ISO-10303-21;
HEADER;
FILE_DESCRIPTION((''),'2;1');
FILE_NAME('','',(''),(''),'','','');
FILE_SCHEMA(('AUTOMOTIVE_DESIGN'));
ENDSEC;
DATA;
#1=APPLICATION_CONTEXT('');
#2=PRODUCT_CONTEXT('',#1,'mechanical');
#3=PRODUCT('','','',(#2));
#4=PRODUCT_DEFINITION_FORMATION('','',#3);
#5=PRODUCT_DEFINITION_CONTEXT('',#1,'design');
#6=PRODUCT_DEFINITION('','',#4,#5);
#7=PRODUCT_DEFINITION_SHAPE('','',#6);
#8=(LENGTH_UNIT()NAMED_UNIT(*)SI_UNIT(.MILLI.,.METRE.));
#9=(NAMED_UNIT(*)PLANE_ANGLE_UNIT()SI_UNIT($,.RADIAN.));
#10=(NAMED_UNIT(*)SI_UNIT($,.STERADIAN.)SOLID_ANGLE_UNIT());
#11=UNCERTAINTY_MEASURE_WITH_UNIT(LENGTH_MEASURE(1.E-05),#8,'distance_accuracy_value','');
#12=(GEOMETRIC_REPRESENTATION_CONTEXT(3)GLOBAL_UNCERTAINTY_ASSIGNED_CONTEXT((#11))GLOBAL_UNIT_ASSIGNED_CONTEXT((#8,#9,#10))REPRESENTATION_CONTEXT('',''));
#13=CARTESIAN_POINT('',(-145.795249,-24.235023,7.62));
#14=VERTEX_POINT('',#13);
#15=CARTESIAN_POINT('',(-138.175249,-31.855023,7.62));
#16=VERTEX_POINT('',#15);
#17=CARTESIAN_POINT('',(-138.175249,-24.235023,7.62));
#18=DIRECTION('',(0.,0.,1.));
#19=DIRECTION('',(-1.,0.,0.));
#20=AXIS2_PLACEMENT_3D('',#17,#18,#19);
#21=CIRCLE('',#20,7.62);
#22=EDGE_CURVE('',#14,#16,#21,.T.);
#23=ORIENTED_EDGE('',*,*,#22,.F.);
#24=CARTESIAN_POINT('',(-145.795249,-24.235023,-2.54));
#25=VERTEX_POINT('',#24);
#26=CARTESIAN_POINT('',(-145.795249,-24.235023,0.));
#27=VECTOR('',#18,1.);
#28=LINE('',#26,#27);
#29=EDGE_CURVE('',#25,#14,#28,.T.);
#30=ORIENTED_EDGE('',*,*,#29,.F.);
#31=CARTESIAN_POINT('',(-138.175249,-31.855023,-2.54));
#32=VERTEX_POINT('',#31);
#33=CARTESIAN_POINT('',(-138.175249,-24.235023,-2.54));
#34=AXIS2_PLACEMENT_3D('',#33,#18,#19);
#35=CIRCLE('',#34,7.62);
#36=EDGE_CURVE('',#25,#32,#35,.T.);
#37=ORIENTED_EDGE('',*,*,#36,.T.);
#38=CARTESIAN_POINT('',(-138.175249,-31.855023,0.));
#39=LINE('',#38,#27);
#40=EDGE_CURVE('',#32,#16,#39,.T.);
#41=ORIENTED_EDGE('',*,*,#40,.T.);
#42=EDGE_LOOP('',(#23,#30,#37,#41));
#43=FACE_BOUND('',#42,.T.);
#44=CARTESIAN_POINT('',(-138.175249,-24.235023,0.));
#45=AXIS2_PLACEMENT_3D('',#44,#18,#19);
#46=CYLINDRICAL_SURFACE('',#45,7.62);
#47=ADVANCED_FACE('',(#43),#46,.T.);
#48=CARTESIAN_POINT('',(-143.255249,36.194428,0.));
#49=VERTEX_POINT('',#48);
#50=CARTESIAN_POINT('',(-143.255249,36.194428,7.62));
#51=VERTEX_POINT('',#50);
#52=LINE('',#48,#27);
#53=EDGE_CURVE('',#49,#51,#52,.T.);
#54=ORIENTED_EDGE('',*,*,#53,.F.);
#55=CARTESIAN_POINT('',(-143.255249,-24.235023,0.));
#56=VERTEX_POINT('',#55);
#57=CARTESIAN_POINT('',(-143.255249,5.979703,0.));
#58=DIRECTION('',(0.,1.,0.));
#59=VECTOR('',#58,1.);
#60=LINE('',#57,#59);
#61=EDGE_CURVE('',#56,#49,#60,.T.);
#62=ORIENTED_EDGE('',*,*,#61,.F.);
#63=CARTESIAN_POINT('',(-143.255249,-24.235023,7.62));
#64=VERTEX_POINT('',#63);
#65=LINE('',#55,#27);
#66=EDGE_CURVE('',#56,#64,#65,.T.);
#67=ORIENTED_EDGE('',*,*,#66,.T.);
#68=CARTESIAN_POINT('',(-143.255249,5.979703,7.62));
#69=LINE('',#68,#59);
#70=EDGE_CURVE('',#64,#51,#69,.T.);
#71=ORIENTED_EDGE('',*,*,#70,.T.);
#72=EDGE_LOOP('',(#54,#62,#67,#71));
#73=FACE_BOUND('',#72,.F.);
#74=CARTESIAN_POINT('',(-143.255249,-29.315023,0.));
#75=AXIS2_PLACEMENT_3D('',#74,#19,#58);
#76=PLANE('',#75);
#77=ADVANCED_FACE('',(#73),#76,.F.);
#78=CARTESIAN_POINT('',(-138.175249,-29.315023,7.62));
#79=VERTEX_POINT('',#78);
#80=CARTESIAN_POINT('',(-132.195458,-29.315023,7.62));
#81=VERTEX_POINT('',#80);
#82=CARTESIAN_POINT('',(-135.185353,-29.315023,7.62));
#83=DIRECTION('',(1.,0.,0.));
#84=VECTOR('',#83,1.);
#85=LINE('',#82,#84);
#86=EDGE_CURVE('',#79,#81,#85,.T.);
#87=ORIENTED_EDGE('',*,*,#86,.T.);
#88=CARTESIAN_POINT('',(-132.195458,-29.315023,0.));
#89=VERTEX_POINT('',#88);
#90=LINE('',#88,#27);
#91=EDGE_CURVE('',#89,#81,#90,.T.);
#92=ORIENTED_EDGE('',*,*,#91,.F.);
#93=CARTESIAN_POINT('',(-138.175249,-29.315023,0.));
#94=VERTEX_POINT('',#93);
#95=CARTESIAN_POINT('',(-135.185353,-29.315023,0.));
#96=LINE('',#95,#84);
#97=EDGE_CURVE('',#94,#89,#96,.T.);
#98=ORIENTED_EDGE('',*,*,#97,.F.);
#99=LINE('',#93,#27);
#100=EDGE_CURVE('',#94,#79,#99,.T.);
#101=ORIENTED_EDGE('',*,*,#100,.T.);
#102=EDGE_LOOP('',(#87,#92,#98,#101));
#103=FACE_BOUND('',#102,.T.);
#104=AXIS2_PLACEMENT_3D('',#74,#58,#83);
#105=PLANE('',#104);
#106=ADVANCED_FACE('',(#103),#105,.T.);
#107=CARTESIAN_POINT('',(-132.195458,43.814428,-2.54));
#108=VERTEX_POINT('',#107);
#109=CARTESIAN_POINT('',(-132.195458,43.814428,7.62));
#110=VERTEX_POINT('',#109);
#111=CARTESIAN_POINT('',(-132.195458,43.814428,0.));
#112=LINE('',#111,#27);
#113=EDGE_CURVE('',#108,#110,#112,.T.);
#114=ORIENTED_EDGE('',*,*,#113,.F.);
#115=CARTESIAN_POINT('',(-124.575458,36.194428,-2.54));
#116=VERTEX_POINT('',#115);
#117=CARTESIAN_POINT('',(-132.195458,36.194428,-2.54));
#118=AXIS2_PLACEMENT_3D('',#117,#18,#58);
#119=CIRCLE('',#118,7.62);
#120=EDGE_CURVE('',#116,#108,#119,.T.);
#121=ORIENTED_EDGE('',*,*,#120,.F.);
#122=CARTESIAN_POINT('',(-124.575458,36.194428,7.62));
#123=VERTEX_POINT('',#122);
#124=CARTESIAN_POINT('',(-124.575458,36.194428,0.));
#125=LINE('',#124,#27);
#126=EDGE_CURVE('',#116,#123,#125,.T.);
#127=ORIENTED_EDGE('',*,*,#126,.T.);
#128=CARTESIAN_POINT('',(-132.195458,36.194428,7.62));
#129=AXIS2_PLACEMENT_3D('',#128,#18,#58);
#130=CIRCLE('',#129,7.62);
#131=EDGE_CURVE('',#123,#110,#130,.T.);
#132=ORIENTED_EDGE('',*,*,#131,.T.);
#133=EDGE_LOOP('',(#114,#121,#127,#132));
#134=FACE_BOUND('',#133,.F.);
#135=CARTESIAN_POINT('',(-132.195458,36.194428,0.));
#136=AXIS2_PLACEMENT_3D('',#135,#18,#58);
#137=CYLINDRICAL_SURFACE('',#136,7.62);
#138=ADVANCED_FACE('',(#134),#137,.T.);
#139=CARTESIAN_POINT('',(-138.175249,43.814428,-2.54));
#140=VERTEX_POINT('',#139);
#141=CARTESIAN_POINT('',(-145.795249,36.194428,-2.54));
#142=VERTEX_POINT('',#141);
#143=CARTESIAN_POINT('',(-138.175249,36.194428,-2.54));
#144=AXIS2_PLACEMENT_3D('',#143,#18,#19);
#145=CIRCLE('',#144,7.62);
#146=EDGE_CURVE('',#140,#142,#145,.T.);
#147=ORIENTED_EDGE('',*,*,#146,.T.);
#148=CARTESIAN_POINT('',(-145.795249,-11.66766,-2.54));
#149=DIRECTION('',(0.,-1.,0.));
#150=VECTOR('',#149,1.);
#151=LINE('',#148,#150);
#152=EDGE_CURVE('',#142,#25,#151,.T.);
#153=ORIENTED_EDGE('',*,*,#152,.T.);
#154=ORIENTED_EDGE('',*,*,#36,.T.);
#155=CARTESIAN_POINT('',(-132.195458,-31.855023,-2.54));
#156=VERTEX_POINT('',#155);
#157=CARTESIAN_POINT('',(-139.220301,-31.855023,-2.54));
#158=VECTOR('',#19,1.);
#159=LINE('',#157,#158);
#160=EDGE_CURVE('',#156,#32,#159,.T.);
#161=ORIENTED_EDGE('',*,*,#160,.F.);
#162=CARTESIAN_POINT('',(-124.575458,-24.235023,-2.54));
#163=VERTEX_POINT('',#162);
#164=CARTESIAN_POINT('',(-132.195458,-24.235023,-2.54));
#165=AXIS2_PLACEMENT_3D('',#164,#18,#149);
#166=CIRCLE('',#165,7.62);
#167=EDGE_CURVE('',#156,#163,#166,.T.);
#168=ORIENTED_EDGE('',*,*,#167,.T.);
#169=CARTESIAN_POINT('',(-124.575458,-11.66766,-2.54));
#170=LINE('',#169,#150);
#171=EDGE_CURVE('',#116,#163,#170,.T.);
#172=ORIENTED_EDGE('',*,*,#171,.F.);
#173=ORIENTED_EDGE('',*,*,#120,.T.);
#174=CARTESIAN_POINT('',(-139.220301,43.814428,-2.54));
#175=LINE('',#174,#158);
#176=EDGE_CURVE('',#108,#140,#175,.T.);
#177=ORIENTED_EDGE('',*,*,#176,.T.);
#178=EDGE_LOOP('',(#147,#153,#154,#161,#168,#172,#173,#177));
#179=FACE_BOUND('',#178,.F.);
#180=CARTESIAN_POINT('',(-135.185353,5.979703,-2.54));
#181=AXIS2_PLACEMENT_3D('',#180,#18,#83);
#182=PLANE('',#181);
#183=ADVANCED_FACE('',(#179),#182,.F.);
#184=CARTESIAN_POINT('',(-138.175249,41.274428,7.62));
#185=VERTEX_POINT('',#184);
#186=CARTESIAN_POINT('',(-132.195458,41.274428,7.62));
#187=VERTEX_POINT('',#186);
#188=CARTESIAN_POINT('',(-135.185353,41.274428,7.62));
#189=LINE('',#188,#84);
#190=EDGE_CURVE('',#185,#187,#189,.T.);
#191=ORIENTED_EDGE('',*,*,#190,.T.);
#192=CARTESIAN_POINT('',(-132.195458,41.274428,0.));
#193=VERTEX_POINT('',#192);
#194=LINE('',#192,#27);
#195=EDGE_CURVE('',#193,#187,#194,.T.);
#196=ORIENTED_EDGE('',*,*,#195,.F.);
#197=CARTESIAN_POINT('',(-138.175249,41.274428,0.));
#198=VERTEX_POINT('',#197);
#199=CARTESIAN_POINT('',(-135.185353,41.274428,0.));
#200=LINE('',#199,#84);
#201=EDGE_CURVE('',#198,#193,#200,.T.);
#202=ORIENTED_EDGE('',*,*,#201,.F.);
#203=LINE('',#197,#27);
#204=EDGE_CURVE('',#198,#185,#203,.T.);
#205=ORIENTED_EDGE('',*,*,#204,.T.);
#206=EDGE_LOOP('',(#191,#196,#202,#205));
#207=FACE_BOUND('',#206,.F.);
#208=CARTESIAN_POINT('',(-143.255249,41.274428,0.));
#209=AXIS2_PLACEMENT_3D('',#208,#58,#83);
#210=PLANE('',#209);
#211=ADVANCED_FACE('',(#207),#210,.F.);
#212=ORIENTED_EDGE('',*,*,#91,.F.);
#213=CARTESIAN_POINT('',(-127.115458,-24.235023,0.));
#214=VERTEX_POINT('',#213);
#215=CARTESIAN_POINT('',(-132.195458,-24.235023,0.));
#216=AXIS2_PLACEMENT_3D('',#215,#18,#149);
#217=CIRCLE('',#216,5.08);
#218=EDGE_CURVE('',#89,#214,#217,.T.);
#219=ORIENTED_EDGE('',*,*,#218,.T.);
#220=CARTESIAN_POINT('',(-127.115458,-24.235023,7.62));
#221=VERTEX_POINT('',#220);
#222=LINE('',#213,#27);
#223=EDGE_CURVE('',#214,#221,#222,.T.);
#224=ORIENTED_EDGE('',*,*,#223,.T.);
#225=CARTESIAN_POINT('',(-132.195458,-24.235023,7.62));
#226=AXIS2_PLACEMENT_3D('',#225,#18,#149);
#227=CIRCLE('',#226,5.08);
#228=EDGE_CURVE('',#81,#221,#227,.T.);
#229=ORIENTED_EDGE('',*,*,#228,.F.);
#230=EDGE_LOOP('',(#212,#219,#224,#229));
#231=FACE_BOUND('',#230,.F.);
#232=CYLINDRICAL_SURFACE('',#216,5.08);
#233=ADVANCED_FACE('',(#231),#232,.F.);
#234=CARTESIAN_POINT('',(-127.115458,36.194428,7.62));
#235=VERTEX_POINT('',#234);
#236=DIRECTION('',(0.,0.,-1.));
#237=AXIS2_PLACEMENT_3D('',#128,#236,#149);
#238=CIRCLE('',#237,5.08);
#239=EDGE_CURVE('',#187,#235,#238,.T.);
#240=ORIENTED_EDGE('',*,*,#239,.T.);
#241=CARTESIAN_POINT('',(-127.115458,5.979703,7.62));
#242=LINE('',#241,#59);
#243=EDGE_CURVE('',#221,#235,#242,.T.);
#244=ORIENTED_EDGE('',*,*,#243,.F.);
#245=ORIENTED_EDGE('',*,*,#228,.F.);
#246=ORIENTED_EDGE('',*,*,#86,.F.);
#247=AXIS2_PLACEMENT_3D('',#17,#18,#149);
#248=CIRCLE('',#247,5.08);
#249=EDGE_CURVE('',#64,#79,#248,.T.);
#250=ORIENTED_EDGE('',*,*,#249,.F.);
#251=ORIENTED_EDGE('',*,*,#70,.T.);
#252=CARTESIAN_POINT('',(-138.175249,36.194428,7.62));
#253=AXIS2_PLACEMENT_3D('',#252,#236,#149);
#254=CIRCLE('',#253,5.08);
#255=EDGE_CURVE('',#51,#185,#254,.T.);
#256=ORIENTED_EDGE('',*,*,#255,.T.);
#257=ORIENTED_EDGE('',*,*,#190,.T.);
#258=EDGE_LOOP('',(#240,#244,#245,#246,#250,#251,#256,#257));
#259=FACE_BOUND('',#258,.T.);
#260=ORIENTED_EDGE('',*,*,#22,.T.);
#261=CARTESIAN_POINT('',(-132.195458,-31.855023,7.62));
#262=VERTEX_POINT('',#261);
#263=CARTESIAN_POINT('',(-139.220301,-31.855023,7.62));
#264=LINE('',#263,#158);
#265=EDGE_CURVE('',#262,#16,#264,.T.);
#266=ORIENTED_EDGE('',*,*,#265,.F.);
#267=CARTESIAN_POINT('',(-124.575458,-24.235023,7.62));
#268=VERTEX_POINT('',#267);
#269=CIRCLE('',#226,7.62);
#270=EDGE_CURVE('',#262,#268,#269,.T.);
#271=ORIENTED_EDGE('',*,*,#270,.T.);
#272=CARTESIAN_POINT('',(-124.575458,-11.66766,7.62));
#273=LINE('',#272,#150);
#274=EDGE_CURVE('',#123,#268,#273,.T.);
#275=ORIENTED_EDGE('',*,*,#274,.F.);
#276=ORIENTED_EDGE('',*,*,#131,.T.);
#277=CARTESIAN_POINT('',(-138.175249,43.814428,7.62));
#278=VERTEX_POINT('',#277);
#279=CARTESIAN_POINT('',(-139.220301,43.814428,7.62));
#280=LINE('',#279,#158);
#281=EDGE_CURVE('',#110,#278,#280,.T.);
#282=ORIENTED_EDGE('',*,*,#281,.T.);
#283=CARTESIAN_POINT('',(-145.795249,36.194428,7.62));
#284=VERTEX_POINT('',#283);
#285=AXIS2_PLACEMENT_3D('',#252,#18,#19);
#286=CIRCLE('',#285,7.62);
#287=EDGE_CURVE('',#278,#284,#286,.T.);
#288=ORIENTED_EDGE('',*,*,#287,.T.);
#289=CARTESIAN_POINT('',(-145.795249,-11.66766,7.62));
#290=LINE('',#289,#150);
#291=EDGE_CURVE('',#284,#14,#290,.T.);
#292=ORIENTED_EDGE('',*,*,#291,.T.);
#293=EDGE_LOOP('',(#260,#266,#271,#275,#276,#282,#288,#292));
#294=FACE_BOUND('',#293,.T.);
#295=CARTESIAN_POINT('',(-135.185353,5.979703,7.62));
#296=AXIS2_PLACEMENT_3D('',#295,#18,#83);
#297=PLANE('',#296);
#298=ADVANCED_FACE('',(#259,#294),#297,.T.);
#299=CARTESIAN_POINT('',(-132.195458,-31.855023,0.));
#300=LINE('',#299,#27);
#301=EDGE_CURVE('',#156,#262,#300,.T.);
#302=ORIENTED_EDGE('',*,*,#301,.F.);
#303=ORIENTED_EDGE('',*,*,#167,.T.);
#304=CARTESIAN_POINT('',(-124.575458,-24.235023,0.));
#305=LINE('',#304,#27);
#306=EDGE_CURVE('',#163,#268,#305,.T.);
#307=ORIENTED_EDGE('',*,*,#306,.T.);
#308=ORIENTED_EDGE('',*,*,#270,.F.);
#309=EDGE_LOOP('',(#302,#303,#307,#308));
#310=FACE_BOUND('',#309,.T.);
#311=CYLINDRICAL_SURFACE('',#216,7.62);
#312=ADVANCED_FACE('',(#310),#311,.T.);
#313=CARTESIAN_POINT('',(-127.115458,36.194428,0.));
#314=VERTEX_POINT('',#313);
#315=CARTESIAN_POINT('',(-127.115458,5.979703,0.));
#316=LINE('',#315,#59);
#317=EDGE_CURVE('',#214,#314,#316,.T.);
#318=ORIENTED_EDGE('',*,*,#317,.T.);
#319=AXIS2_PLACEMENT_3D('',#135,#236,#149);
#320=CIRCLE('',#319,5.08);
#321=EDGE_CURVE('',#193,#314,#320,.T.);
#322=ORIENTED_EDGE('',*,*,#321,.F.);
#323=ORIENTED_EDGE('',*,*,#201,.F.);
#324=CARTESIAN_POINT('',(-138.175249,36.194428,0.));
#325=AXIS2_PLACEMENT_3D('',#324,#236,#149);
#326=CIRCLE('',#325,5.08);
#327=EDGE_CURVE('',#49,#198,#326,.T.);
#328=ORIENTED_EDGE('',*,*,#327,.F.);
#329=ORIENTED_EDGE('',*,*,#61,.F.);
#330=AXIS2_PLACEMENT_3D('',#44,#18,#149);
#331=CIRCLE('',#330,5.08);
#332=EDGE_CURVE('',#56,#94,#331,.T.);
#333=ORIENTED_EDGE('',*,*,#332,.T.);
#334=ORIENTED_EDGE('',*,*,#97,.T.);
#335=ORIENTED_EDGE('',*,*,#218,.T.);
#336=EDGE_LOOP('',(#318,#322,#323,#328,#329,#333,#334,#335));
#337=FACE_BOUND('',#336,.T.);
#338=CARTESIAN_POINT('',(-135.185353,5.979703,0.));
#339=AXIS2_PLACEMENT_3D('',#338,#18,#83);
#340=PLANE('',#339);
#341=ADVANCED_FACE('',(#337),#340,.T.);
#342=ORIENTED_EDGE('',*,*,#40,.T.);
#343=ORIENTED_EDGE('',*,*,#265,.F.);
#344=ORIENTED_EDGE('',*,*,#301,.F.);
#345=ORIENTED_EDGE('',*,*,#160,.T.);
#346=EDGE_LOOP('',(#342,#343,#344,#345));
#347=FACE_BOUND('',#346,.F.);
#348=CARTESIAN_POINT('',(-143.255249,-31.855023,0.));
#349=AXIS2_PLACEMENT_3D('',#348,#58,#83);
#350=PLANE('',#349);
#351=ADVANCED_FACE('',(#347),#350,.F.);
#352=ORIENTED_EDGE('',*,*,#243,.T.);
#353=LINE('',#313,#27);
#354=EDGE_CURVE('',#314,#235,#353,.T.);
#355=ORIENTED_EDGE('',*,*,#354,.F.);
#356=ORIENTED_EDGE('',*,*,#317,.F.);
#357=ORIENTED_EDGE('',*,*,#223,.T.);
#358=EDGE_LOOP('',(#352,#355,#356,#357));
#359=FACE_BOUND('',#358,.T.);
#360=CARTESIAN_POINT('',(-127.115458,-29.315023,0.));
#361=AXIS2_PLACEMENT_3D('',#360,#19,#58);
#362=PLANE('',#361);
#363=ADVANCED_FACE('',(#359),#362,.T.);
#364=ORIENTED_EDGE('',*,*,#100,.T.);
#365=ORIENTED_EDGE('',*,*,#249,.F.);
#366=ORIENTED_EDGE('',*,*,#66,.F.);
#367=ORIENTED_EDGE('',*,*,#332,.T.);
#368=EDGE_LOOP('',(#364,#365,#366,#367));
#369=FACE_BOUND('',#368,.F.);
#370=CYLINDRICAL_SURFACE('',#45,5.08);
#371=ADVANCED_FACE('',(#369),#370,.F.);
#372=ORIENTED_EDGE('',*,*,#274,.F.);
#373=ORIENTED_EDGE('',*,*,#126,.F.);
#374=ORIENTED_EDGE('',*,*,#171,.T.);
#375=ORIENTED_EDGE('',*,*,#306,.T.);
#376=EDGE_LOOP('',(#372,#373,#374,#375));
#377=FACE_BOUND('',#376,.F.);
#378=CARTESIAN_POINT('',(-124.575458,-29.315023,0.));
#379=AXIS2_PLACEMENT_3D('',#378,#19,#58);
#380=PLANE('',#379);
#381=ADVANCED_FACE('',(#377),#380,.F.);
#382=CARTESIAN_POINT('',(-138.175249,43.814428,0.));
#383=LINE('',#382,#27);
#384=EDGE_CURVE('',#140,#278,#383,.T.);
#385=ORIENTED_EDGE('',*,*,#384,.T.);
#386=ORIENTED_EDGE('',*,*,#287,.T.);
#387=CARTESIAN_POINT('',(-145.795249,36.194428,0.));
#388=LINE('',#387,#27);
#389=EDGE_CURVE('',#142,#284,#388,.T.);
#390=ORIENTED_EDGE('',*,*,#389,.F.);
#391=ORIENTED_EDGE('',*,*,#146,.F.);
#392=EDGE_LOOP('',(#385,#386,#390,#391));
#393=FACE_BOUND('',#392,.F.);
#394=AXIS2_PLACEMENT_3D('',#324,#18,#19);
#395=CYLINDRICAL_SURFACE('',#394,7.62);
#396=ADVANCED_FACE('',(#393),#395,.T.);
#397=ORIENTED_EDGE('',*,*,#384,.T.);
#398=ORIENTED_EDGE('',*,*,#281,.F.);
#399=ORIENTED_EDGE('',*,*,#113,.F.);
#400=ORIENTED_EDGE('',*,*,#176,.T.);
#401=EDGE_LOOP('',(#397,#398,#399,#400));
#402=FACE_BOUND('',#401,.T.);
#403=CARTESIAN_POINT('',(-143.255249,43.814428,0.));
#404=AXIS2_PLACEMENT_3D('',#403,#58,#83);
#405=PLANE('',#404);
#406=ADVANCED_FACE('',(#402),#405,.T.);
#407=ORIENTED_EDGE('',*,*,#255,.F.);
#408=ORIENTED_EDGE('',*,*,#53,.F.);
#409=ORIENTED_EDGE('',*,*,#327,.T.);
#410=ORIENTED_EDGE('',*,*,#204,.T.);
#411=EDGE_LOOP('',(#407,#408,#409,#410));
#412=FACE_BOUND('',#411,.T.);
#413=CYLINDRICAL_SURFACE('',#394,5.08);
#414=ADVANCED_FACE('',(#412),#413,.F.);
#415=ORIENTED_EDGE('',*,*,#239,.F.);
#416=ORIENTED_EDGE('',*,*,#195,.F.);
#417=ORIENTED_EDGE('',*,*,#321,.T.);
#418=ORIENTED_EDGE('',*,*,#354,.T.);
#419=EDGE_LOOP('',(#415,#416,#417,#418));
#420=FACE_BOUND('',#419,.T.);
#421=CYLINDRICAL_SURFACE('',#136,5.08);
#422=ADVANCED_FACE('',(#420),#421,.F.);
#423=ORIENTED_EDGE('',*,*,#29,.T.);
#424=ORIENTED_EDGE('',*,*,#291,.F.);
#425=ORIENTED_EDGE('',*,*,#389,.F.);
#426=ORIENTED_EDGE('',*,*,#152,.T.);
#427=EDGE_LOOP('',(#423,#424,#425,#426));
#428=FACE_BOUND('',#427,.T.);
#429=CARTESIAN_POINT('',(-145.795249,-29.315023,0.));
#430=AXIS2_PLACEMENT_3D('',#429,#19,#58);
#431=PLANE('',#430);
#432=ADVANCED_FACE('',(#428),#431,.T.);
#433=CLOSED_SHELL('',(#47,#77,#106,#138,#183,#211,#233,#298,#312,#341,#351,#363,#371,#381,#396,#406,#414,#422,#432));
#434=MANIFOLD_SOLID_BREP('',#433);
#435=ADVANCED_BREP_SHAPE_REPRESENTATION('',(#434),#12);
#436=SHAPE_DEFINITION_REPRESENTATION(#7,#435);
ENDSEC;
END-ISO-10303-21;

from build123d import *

# Parameters (mm, degrees)
F0_W     = 16.1397904158
F0_H     = 70.5894511193
F1_DEPTH = 7.62
F2_R     = 5.08
F3_R     = 5.08
F4_R     = 5.08
F5_R     = 5.08
F6_T     = 2.54


with BuildPart() as f1:
    # F0 (on Top) → F1 (new body)
    with BuildSketch(Plane.XY):
        with Locations((-135.1853534579, 5.979702808)):
            Rectangle(F0_W, F0_H)
    extrude(amount=F1_DEPTH)

    # F2
    f2_edges = [f1.edges().sort_by_distance(p)[0] for p in [
        (-143.255249, -29.315023, 3.81),
    ]]
    fillet(f2_edges, radius=F2_R)

    # F3
    f3_edges = [f1.edges().sort_by_distance(p)[0] for p in [
        (-127.115458, -29.315023, 3.81),
    ]]
    fillet(f3_edges, radius=F3_R)

    # F4
    f4_edges = [f1.edges().sort_by_distance(p)[0] for p in [
        (-143.255249, 41.274428, 3.81),
    ]]
    fillet(f4_edges, radius=F4_R)

    # F5
    f5_edges = [f1.edges().sort_by_distance(p)[0] for p in [
        (-127.115458, 41.274428, 3.81),
    ]]
    fillet(f5_edges, radius=F5_R)

    # F6
    f6_openings = [f1.faces().sort_by_distance(p)[0] for p in [
        (-135.185353, 5.979703, 7.62),
    ]]
    offset(amount=F6_T, openings=f6_openings, kind=Kind.INTERSECTION)


solid = f1.part
